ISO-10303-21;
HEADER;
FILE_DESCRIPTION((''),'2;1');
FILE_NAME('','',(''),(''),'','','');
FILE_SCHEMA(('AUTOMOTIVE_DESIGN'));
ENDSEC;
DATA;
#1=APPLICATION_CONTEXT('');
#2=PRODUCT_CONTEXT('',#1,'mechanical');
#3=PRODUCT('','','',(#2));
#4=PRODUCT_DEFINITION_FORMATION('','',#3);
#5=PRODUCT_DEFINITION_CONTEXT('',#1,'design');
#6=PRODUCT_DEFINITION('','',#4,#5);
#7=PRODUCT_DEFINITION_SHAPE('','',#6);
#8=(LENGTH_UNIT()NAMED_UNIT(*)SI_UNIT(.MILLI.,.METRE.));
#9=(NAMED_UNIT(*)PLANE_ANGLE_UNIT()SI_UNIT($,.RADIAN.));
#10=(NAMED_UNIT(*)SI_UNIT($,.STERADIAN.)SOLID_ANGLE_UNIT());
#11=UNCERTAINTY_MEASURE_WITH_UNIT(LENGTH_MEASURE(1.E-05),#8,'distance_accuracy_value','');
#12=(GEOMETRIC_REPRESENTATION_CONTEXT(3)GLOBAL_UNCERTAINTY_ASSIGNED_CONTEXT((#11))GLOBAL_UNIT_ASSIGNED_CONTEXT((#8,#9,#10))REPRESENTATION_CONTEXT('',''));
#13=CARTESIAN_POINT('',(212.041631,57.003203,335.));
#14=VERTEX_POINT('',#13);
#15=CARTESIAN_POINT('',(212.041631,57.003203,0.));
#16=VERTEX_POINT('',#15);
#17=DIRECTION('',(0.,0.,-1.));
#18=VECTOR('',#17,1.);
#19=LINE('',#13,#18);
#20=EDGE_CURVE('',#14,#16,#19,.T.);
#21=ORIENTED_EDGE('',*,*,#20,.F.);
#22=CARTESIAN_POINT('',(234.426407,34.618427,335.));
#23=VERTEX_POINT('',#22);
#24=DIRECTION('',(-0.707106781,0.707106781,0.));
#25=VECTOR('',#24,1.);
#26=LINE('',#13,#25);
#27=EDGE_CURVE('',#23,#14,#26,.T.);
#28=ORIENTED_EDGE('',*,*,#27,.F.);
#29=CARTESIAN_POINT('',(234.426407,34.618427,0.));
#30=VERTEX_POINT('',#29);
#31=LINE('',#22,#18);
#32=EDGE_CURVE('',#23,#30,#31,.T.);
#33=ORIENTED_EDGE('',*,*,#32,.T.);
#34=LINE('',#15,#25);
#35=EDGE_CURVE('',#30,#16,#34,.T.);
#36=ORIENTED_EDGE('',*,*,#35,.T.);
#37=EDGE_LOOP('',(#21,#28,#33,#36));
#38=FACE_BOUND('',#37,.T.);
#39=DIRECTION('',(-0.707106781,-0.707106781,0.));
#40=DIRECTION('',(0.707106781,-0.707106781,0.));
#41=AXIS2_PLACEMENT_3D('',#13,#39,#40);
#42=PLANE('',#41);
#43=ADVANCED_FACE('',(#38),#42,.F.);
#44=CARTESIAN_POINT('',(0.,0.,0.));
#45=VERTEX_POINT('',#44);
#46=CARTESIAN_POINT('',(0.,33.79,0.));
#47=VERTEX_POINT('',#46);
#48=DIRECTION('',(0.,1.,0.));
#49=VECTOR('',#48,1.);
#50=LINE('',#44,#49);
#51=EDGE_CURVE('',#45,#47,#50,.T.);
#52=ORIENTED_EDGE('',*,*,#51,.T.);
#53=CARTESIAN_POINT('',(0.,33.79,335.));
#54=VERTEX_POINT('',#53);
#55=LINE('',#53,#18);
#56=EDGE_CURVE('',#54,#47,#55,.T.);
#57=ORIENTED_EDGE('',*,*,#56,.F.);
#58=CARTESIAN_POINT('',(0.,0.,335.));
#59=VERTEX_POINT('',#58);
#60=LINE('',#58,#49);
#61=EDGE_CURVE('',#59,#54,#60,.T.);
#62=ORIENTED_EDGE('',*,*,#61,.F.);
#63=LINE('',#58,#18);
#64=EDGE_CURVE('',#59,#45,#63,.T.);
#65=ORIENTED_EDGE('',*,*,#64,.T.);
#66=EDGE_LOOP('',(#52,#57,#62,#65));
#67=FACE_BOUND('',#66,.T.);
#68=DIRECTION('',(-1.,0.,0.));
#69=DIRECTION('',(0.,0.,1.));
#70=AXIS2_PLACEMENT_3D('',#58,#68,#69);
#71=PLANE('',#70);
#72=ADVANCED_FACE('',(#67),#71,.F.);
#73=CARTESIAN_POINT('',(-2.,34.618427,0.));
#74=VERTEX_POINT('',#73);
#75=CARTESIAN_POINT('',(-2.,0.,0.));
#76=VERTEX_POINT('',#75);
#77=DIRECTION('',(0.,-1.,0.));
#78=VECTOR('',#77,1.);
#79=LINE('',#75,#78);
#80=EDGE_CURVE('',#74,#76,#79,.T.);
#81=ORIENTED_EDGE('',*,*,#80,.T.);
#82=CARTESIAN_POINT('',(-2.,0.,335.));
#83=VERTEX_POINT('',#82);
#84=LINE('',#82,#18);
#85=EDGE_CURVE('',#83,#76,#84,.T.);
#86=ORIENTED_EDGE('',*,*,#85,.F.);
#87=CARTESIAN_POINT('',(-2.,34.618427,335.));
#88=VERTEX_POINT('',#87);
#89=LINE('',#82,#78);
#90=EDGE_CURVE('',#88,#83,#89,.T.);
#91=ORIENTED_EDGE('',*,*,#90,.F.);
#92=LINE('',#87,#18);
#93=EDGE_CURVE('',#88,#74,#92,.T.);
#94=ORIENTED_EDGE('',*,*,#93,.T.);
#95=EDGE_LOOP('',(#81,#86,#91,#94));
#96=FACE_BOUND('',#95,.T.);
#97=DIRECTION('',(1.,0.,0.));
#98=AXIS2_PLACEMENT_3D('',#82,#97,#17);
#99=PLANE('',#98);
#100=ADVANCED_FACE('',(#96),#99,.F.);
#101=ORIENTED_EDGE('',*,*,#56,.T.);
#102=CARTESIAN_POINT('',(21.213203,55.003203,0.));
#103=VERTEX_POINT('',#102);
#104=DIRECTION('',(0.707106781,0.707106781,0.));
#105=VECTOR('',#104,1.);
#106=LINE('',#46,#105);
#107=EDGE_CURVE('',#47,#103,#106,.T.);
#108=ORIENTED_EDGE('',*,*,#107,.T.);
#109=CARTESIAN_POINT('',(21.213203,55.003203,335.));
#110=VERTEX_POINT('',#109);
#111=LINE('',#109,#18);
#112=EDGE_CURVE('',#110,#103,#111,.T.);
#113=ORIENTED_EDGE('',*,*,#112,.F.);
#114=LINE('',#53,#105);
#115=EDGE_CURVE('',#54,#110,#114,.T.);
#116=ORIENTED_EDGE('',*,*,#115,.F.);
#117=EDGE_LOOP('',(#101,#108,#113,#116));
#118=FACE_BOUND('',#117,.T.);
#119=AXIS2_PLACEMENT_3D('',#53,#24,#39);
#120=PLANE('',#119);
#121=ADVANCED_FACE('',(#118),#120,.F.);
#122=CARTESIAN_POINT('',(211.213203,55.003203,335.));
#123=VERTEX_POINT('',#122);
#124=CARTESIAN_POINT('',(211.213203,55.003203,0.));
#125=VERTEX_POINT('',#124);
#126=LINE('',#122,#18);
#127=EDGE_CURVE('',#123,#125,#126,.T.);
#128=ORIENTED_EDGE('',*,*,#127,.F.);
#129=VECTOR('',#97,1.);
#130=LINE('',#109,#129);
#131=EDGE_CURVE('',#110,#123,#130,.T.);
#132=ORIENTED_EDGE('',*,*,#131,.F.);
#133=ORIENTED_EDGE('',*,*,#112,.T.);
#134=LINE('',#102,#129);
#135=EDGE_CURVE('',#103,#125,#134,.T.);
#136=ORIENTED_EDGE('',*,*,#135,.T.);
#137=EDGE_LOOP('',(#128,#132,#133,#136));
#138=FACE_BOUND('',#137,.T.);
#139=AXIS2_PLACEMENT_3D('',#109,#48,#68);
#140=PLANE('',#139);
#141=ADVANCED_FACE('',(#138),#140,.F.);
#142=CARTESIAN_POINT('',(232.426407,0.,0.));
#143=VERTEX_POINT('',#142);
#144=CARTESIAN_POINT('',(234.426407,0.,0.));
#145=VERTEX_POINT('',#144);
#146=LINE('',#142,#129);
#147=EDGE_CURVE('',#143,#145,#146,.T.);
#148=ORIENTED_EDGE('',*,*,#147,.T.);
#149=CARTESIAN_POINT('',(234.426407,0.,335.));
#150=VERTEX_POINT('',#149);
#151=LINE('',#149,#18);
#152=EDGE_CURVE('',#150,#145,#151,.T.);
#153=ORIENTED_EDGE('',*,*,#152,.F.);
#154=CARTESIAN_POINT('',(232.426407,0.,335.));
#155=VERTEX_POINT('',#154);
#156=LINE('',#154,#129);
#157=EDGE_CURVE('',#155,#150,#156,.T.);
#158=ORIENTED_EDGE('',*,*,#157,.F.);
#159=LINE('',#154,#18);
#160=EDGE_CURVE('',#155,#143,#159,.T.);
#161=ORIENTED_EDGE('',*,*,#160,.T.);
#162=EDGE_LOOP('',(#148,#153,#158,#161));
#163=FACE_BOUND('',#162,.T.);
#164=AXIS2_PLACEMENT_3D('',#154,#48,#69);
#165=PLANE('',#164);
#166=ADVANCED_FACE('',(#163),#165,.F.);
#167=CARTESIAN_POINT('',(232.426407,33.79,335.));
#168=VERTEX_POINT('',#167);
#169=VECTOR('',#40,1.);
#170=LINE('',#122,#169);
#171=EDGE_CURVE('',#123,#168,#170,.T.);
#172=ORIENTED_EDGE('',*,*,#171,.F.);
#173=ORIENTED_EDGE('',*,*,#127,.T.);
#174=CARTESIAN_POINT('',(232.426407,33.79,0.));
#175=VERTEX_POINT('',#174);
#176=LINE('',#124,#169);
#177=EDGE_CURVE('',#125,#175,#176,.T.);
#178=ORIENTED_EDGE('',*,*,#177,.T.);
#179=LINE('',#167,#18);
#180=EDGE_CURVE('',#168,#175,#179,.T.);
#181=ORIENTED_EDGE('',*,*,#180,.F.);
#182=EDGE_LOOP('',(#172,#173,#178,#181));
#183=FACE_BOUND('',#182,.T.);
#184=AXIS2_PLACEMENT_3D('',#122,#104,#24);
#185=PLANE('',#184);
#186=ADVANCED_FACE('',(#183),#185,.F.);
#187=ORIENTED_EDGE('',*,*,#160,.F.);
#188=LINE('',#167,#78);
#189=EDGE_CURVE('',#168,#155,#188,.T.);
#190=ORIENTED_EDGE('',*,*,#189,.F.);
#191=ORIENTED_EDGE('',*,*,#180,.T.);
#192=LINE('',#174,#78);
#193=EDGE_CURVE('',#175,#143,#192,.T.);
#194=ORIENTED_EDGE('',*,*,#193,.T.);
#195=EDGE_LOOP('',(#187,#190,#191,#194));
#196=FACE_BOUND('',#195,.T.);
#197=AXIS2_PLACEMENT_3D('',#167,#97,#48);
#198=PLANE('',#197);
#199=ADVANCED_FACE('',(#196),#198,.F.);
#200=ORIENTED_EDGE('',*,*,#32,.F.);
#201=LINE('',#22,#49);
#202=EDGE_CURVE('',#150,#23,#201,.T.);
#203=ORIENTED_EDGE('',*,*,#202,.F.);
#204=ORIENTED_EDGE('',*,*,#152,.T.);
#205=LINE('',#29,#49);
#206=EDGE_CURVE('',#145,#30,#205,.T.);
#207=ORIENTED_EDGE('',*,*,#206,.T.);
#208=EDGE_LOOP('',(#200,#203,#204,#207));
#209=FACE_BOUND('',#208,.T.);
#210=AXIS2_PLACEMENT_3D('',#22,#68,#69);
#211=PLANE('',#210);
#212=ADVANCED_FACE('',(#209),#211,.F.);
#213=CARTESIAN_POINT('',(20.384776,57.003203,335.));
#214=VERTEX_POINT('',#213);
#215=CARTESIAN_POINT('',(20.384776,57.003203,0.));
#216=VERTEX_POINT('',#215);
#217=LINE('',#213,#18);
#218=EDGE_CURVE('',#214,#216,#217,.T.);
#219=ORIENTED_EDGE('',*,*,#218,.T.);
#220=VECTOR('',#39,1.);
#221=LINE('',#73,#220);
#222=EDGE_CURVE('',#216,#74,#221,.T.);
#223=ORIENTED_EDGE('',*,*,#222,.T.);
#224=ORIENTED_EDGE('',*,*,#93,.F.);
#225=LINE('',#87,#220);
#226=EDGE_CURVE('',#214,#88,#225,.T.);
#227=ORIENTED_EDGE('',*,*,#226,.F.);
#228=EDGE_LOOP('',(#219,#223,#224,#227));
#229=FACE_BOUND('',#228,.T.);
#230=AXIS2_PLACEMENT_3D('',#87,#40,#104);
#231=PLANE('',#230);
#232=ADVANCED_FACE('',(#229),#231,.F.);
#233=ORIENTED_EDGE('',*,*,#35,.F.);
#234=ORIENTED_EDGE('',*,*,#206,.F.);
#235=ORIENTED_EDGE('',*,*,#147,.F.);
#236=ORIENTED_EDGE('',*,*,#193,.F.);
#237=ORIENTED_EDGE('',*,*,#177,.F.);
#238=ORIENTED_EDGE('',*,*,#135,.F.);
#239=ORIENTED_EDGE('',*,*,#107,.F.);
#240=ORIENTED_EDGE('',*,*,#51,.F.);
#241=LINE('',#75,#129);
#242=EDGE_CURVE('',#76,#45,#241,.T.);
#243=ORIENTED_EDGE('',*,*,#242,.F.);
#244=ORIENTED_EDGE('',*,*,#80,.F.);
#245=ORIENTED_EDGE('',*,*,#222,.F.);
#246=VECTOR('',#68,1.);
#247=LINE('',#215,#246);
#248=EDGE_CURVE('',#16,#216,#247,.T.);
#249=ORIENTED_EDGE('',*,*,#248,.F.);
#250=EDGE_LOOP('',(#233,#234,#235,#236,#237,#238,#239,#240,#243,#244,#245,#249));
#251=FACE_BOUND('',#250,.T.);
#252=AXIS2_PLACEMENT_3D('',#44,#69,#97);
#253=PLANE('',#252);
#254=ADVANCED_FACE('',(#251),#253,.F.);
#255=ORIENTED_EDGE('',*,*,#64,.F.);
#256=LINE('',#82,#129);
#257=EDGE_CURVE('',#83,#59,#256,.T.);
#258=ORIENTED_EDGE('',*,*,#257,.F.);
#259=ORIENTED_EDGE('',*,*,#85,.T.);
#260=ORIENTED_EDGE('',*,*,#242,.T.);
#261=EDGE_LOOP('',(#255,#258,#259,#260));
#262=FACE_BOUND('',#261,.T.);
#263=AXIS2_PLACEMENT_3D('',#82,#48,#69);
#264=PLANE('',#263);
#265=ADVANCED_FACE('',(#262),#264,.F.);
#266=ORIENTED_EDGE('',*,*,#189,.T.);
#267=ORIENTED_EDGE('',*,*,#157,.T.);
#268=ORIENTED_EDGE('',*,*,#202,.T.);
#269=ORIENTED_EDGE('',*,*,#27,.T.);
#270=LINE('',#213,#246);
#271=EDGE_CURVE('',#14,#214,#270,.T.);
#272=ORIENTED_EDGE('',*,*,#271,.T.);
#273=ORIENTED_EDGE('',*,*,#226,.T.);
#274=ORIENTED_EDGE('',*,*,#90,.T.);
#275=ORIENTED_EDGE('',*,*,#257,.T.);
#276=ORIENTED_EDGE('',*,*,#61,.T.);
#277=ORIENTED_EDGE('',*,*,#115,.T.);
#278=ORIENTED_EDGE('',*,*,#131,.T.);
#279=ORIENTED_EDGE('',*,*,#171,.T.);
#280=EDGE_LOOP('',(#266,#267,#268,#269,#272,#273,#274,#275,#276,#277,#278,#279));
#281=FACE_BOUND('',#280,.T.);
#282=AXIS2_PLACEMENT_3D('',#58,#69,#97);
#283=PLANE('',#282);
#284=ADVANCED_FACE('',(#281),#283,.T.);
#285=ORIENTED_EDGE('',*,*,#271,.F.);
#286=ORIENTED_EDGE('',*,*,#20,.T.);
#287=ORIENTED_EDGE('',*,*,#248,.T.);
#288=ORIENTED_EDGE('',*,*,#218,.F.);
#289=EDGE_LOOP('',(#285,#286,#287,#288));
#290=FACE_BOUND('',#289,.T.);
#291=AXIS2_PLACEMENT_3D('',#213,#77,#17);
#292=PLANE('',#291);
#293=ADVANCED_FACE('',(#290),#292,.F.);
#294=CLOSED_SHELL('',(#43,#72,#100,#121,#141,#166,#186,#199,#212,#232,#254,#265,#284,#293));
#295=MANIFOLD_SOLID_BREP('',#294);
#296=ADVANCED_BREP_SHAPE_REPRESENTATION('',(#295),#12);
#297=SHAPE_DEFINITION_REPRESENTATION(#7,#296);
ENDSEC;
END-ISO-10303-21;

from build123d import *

# Parameters (mm, degrees)
BOSS_EXTRU_2_DEPTH = 335


with BuildPart() as part:
    # Esquisse1 → Boss.-Extru.2 (new body)
    with BuildSketch(Plane.XY):
        Polygon((0, 0), (0, 33.79), (21.213203436, 55.003203436), (211.213203436, 55.003203436), (232.426406871, 33.79), (232.426406871, 0), (234.426406871, 0), (234.426406871, 34.618427125), (212.04163056, 57.003203436), (20.384776311, 57.003203436), (-2, 34.618427125), (-2, 0), align=None)
    extrude(amount=BOSS_EXTRU_2_DEPTH)


solid = part.part
